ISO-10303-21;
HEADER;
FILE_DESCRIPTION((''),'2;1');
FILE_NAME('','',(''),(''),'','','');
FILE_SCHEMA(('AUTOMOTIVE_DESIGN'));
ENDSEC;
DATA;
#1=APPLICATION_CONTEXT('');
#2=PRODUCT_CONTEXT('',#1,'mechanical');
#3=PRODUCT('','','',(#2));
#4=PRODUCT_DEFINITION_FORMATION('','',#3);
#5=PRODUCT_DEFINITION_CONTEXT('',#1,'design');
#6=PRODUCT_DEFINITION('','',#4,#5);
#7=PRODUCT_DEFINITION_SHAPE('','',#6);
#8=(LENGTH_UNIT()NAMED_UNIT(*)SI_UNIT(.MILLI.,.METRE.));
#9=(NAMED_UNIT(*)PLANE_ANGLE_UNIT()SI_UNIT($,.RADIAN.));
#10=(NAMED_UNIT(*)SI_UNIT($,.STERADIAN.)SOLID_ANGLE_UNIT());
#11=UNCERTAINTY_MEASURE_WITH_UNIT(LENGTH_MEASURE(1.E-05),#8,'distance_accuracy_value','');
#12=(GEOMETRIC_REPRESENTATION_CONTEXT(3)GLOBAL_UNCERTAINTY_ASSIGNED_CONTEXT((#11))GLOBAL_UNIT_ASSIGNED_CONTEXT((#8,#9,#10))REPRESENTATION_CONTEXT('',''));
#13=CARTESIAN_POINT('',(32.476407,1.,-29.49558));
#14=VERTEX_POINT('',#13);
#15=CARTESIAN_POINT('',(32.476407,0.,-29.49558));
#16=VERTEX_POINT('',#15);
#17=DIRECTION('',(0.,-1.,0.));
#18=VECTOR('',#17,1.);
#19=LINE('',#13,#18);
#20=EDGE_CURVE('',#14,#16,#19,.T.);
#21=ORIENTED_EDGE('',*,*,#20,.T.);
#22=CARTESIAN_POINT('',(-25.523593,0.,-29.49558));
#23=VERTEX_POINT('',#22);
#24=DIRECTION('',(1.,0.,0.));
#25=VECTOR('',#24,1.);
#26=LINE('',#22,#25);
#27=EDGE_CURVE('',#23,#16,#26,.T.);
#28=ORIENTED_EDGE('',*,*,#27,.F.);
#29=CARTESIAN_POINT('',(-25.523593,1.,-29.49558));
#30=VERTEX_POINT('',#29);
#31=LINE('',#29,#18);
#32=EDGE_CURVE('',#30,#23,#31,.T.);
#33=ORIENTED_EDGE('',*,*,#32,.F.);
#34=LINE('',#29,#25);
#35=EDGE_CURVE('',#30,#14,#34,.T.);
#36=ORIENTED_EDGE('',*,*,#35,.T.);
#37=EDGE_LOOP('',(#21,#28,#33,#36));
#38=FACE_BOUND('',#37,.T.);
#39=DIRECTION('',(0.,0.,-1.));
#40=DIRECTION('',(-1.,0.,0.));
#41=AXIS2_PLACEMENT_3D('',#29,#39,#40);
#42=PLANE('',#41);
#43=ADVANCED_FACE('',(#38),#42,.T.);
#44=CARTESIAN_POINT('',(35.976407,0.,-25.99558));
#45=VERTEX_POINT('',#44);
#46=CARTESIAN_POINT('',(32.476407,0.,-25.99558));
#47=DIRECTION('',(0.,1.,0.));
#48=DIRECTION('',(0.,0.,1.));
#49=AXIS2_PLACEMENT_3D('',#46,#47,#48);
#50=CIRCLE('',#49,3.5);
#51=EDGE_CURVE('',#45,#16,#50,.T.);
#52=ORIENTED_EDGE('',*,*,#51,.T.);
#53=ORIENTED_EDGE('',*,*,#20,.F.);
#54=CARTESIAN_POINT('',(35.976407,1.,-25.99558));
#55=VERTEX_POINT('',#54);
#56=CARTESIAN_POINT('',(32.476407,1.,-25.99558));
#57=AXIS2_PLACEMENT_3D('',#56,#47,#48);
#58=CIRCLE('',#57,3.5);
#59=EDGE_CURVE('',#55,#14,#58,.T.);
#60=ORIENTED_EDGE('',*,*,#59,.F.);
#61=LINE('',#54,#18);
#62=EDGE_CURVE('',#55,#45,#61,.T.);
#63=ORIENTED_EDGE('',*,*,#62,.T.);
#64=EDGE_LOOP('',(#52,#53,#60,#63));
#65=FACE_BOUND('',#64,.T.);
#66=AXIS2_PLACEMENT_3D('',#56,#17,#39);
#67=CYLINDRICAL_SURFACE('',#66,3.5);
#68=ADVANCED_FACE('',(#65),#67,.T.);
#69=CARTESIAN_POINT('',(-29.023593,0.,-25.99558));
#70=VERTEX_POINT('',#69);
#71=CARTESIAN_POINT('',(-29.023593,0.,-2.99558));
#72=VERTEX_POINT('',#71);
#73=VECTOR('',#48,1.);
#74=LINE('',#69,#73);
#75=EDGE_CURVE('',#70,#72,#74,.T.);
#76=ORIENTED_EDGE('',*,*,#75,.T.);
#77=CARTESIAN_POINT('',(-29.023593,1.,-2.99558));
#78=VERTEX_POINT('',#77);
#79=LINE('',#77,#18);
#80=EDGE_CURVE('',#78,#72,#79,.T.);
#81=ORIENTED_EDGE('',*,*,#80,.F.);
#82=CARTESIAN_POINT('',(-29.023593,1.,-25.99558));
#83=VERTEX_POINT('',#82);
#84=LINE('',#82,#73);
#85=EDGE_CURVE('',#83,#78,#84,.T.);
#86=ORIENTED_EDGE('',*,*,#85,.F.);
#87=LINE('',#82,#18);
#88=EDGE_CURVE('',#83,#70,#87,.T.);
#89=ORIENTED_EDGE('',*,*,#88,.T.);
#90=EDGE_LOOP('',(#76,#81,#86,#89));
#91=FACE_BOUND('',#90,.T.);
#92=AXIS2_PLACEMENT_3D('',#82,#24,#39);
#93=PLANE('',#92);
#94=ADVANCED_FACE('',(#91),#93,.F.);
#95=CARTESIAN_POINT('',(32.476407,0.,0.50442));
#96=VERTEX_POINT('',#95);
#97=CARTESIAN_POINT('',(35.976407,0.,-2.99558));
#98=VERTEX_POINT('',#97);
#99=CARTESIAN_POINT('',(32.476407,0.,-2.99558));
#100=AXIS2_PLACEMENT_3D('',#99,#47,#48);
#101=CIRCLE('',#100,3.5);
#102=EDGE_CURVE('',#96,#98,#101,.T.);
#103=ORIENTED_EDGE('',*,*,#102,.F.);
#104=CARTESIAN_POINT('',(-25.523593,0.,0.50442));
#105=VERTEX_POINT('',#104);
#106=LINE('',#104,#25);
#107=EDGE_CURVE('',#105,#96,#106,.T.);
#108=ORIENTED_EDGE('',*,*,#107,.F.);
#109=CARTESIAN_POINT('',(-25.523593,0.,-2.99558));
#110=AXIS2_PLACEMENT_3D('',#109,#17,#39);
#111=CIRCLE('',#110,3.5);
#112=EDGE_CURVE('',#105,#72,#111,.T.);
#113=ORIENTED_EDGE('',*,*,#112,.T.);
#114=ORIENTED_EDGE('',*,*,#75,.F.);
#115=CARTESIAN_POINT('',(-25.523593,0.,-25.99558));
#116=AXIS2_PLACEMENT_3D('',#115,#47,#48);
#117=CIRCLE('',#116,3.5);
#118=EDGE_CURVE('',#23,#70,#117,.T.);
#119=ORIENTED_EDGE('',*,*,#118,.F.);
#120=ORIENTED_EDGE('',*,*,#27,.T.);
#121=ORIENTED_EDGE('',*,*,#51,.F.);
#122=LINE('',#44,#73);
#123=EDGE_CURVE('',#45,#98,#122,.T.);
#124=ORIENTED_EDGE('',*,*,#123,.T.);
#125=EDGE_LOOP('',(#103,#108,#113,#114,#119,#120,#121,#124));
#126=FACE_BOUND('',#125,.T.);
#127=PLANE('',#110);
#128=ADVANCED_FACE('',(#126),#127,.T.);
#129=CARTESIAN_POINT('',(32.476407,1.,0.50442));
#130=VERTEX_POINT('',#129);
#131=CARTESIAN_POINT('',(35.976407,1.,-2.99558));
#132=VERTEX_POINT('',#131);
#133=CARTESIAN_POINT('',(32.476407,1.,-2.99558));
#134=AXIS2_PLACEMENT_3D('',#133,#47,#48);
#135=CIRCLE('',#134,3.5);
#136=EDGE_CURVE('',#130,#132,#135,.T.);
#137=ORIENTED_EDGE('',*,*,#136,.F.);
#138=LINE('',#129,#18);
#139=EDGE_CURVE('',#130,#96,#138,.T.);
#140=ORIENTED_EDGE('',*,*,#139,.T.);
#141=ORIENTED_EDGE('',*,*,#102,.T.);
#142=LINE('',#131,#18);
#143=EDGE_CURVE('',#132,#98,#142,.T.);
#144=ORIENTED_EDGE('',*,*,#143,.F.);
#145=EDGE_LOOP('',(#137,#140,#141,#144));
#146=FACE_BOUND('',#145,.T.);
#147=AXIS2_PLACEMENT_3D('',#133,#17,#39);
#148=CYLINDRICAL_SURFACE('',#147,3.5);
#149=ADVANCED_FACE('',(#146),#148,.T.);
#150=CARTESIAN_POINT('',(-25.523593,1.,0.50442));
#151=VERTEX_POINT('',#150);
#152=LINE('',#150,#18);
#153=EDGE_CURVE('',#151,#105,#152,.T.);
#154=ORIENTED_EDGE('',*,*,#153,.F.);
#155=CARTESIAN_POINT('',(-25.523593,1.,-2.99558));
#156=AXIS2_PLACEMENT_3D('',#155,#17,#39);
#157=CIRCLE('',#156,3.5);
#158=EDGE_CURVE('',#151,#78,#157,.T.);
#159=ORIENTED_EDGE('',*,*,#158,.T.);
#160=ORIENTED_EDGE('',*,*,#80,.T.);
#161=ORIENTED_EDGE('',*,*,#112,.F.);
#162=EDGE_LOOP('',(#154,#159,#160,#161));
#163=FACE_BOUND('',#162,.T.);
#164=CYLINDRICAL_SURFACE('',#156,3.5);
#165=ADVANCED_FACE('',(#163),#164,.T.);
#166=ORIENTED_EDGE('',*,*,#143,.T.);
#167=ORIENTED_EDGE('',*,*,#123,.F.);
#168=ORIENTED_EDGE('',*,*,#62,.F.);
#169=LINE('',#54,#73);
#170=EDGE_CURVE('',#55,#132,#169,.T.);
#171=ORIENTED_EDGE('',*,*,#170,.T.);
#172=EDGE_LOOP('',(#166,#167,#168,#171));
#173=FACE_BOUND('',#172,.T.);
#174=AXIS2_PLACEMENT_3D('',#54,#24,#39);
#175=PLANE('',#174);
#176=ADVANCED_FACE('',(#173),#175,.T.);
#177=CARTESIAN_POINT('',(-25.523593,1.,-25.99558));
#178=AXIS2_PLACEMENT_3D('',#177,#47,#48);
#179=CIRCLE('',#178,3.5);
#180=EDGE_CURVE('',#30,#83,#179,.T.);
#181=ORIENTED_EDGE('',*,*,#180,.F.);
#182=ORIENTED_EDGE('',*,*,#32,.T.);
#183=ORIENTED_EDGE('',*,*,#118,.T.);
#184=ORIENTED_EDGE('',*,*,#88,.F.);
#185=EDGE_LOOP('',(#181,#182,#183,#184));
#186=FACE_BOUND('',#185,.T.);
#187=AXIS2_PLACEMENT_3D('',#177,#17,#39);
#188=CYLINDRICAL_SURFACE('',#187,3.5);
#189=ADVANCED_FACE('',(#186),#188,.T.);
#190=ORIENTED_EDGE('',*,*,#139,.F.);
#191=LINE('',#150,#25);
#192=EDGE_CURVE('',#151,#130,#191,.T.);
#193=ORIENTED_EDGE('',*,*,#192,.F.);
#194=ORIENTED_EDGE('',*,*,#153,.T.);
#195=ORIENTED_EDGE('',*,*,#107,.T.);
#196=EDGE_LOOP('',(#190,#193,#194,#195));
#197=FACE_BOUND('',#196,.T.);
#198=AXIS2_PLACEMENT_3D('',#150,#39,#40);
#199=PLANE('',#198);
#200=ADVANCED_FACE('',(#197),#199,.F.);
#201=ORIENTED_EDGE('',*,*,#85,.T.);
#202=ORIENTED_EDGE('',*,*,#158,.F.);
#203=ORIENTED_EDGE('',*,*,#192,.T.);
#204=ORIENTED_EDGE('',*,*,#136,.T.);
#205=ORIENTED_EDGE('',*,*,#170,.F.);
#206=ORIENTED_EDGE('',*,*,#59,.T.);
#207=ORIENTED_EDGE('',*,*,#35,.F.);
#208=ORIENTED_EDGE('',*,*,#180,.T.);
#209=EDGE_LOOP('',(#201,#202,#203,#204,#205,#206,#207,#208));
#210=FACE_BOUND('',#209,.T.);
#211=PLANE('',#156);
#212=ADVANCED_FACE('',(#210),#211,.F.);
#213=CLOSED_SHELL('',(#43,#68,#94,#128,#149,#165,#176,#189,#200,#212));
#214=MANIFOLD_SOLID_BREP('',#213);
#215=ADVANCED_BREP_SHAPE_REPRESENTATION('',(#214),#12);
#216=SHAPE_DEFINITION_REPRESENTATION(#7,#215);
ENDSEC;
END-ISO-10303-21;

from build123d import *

# Parameters (mm, degrees)
BOSS_EXTRUDE1_DEPTH = 1


with BuildPart() as part:
    # Sketch1 → Boss-Extrude1 (new body)
    with BuildSketch(Plane(origin=(0, 0, 0), x_dir=(1, 0, 0), z_dir=(0, 1, 0))):
        with BuildLine():
            Line((-25.523592901, 29.495579807), (32.476407099, 29.495579807))
            ThreePointArc((32.476407099, 29.495579807), (34.951280833, 28.470453541), (35.976407099, 25.995579807))
            Line((35.976407099, 25.995579807), (35.976407099, 2.995579807))
            ThreePointArc((35.976407099, 2.995579807), (34.951280833, 0.520706073), (32.476407099, -0.504420193))
            Line((32.476407099, -0.504420193), (-25.523592901, -0.504420193))
            ThreePointArc((-25.523592901, -0.504420193), (-27.998466635, 0.520706073), (-29.023592901, 2.995579807))
            Line((-29.023592901, 2.995579807), (-29.023592901, 25.995579807))
            ThreePointArc((-29.023592901, 25.995579807), (-27.998466635, 28.470453541), (-25.523592901, 29.495579807))
        make_face()
    extrude(amount=BOSS_EXTRUDE1_DEPTH)


solid = part.part
